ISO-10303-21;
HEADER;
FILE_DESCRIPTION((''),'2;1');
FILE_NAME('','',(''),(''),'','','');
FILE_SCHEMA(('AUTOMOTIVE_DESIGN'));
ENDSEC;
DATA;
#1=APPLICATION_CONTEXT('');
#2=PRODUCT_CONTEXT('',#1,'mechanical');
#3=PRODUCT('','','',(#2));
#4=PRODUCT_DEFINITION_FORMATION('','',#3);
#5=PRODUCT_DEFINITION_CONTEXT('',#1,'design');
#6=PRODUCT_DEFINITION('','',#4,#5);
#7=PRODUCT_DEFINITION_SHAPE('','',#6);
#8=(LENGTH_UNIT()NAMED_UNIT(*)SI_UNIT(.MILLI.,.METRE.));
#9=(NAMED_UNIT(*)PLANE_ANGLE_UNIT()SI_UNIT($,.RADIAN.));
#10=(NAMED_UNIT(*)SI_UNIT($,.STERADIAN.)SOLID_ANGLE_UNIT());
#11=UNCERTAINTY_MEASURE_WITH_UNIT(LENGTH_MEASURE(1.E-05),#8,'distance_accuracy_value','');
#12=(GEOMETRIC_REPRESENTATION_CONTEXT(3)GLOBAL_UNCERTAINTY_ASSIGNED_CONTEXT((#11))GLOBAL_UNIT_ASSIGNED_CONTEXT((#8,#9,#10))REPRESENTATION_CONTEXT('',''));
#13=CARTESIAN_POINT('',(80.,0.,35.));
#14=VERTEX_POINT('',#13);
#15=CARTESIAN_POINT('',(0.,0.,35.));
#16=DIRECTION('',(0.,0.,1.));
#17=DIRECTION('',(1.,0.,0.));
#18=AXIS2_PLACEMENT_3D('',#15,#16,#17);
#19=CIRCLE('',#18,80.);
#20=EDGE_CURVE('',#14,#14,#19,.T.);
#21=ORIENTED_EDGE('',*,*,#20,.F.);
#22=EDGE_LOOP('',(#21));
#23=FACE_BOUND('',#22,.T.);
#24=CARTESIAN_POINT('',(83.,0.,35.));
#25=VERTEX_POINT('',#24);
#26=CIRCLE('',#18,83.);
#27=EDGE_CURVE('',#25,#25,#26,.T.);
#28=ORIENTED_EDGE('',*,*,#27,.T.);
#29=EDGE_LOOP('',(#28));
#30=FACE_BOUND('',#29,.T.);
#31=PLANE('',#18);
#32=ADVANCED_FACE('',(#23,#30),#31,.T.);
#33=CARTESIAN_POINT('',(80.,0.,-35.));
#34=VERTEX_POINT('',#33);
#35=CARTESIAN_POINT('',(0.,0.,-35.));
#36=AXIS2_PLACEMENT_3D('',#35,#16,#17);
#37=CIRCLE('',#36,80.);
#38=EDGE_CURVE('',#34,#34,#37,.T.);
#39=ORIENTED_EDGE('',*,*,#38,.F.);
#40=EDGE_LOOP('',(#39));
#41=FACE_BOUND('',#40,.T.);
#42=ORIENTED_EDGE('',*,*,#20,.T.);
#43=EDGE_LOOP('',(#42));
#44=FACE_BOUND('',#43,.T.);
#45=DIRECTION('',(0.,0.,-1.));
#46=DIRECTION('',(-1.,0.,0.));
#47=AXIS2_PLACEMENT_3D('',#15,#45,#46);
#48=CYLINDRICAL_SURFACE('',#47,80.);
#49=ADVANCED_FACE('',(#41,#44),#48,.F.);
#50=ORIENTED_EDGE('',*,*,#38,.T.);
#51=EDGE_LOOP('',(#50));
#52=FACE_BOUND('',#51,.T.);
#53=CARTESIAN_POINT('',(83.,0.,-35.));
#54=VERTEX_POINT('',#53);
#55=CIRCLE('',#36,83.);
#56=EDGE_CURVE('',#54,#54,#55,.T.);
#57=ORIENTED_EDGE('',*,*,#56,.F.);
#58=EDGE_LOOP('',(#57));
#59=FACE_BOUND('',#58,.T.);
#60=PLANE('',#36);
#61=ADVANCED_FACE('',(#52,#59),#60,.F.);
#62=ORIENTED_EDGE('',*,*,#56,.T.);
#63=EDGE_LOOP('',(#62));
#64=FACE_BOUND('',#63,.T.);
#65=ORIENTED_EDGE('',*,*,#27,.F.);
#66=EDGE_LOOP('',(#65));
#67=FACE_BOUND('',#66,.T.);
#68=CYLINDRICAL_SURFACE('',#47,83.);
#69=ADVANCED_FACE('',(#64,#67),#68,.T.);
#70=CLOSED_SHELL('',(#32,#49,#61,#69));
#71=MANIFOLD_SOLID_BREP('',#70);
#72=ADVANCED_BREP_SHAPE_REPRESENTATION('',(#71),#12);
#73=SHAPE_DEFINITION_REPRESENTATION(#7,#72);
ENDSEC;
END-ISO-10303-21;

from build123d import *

# Parameters (mm, degrees)
ROTOR_SHELL_START = -35
SKETCH_1_R        = 83
SKETCH_1_R_2      = 80
ROTOR_SHELL_DEPTH = 70


with BuildPart() as part:
    # Эскиз1 → Rotor_shell (new body)
    with BuildSketch(Plane.XY.offset(ROTOR_SHELL_START)):
        Circle(SKETCH_1_R)
        Circle(SKETCH_1_R_2, mode=Mode.SUBTRACT)
    extrude(amount=ROTOR_SHELL_DEPTH)


solid = part.part
